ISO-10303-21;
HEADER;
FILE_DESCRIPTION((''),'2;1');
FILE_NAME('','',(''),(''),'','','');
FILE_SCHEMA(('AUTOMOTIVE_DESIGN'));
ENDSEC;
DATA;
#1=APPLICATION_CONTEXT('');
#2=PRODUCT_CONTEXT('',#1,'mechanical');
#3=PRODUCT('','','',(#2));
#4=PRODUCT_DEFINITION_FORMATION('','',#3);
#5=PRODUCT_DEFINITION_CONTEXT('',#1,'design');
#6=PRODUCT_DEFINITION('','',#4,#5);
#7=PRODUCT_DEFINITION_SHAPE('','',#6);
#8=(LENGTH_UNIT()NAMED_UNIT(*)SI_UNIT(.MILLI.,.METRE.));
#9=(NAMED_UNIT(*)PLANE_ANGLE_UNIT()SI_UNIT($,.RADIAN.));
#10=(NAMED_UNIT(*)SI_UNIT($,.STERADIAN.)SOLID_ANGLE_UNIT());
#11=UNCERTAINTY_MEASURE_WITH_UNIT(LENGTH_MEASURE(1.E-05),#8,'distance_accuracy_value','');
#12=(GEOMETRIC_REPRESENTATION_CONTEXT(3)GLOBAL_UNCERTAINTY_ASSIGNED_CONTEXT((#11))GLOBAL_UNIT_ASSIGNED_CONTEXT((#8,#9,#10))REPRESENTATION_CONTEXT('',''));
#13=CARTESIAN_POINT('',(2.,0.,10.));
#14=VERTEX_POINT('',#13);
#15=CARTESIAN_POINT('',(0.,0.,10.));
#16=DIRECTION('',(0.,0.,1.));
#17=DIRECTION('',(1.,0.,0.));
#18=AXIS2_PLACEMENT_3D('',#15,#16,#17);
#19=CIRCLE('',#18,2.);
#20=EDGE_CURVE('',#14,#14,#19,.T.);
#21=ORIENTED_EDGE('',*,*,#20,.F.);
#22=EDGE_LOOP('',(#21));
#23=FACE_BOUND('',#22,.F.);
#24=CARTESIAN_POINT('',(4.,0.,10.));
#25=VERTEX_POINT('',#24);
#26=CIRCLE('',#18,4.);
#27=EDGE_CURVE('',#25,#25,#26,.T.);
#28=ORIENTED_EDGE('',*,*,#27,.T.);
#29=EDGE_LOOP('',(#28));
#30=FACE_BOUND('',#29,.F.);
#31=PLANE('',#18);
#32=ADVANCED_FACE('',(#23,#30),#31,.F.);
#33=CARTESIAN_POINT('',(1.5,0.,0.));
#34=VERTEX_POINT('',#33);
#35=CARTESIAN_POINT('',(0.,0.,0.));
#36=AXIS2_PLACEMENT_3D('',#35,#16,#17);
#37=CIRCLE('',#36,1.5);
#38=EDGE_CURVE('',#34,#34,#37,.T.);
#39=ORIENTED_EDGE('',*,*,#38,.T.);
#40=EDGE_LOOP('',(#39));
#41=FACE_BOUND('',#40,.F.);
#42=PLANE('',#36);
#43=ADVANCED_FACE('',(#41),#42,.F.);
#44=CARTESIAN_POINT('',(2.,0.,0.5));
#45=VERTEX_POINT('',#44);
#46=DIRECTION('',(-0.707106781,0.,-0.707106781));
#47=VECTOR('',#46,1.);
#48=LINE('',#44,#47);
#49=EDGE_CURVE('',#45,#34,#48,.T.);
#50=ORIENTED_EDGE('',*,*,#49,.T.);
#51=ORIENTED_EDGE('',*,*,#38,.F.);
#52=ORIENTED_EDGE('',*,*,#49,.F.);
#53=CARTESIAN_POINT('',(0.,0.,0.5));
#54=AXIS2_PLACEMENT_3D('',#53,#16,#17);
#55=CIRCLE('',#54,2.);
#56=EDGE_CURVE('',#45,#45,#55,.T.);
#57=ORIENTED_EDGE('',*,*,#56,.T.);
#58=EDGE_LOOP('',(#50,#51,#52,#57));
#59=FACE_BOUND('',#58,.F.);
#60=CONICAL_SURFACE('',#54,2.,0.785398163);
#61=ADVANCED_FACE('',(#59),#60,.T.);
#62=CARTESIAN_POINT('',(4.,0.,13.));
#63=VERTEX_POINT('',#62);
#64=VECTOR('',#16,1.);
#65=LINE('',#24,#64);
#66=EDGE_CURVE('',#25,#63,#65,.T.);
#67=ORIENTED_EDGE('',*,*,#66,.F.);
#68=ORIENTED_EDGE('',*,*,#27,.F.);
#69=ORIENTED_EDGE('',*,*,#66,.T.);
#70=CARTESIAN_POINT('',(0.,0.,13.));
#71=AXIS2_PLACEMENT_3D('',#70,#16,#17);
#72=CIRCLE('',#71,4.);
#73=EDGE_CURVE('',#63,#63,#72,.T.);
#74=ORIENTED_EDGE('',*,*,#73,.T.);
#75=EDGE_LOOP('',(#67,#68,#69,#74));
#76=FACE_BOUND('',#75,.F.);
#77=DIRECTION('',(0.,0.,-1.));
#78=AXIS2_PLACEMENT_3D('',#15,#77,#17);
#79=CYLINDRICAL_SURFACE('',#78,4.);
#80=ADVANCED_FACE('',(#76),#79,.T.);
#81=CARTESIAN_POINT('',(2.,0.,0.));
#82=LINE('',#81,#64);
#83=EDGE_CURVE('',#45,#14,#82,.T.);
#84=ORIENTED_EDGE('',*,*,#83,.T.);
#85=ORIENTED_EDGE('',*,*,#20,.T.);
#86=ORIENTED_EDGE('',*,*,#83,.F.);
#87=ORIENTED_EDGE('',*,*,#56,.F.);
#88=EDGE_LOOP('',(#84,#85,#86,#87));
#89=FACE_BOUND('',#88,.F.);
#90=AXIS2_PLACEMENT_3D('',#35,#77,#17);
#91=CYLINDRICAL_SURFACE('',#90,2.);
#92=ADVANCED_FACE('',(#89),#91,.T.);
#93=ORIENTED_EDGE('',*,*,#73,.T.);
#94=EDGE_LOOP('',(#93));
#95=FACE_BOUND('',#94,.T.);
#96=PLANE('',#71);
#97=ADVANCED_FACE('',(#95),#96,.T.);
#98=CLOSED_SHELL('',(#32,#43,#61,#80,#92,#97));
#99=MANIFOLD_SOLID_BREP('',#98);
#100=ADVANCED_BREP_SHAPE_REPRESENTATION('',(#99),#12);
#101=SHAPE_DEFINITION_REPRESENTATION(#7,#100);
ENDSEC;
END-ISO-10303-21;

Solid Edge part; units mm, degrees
sketch "Sketch1" plane through (0, 0, 0) normal (0, 0, 1) x (1, 0, 0)
  circle A0 centre (0, 0) radius 2
  dimension "D1" = 4
extrude "Protrusion1" add sketch "Sketch1" along normal blind 10
sketch "Sketch2" plane through (0, 0, 10) normal (0, 0, 1) x (1, 0, 0)
  circle A0 centre (0, 0) radius 4
  dimension "D1" = 8
extrude "Extrusionsausprägung_2" add sketch "Sketch2" along normal blind 3
chamfer "Fase_1" distance 0.5 angle 45 1 edges at (-2, 0, 0)
